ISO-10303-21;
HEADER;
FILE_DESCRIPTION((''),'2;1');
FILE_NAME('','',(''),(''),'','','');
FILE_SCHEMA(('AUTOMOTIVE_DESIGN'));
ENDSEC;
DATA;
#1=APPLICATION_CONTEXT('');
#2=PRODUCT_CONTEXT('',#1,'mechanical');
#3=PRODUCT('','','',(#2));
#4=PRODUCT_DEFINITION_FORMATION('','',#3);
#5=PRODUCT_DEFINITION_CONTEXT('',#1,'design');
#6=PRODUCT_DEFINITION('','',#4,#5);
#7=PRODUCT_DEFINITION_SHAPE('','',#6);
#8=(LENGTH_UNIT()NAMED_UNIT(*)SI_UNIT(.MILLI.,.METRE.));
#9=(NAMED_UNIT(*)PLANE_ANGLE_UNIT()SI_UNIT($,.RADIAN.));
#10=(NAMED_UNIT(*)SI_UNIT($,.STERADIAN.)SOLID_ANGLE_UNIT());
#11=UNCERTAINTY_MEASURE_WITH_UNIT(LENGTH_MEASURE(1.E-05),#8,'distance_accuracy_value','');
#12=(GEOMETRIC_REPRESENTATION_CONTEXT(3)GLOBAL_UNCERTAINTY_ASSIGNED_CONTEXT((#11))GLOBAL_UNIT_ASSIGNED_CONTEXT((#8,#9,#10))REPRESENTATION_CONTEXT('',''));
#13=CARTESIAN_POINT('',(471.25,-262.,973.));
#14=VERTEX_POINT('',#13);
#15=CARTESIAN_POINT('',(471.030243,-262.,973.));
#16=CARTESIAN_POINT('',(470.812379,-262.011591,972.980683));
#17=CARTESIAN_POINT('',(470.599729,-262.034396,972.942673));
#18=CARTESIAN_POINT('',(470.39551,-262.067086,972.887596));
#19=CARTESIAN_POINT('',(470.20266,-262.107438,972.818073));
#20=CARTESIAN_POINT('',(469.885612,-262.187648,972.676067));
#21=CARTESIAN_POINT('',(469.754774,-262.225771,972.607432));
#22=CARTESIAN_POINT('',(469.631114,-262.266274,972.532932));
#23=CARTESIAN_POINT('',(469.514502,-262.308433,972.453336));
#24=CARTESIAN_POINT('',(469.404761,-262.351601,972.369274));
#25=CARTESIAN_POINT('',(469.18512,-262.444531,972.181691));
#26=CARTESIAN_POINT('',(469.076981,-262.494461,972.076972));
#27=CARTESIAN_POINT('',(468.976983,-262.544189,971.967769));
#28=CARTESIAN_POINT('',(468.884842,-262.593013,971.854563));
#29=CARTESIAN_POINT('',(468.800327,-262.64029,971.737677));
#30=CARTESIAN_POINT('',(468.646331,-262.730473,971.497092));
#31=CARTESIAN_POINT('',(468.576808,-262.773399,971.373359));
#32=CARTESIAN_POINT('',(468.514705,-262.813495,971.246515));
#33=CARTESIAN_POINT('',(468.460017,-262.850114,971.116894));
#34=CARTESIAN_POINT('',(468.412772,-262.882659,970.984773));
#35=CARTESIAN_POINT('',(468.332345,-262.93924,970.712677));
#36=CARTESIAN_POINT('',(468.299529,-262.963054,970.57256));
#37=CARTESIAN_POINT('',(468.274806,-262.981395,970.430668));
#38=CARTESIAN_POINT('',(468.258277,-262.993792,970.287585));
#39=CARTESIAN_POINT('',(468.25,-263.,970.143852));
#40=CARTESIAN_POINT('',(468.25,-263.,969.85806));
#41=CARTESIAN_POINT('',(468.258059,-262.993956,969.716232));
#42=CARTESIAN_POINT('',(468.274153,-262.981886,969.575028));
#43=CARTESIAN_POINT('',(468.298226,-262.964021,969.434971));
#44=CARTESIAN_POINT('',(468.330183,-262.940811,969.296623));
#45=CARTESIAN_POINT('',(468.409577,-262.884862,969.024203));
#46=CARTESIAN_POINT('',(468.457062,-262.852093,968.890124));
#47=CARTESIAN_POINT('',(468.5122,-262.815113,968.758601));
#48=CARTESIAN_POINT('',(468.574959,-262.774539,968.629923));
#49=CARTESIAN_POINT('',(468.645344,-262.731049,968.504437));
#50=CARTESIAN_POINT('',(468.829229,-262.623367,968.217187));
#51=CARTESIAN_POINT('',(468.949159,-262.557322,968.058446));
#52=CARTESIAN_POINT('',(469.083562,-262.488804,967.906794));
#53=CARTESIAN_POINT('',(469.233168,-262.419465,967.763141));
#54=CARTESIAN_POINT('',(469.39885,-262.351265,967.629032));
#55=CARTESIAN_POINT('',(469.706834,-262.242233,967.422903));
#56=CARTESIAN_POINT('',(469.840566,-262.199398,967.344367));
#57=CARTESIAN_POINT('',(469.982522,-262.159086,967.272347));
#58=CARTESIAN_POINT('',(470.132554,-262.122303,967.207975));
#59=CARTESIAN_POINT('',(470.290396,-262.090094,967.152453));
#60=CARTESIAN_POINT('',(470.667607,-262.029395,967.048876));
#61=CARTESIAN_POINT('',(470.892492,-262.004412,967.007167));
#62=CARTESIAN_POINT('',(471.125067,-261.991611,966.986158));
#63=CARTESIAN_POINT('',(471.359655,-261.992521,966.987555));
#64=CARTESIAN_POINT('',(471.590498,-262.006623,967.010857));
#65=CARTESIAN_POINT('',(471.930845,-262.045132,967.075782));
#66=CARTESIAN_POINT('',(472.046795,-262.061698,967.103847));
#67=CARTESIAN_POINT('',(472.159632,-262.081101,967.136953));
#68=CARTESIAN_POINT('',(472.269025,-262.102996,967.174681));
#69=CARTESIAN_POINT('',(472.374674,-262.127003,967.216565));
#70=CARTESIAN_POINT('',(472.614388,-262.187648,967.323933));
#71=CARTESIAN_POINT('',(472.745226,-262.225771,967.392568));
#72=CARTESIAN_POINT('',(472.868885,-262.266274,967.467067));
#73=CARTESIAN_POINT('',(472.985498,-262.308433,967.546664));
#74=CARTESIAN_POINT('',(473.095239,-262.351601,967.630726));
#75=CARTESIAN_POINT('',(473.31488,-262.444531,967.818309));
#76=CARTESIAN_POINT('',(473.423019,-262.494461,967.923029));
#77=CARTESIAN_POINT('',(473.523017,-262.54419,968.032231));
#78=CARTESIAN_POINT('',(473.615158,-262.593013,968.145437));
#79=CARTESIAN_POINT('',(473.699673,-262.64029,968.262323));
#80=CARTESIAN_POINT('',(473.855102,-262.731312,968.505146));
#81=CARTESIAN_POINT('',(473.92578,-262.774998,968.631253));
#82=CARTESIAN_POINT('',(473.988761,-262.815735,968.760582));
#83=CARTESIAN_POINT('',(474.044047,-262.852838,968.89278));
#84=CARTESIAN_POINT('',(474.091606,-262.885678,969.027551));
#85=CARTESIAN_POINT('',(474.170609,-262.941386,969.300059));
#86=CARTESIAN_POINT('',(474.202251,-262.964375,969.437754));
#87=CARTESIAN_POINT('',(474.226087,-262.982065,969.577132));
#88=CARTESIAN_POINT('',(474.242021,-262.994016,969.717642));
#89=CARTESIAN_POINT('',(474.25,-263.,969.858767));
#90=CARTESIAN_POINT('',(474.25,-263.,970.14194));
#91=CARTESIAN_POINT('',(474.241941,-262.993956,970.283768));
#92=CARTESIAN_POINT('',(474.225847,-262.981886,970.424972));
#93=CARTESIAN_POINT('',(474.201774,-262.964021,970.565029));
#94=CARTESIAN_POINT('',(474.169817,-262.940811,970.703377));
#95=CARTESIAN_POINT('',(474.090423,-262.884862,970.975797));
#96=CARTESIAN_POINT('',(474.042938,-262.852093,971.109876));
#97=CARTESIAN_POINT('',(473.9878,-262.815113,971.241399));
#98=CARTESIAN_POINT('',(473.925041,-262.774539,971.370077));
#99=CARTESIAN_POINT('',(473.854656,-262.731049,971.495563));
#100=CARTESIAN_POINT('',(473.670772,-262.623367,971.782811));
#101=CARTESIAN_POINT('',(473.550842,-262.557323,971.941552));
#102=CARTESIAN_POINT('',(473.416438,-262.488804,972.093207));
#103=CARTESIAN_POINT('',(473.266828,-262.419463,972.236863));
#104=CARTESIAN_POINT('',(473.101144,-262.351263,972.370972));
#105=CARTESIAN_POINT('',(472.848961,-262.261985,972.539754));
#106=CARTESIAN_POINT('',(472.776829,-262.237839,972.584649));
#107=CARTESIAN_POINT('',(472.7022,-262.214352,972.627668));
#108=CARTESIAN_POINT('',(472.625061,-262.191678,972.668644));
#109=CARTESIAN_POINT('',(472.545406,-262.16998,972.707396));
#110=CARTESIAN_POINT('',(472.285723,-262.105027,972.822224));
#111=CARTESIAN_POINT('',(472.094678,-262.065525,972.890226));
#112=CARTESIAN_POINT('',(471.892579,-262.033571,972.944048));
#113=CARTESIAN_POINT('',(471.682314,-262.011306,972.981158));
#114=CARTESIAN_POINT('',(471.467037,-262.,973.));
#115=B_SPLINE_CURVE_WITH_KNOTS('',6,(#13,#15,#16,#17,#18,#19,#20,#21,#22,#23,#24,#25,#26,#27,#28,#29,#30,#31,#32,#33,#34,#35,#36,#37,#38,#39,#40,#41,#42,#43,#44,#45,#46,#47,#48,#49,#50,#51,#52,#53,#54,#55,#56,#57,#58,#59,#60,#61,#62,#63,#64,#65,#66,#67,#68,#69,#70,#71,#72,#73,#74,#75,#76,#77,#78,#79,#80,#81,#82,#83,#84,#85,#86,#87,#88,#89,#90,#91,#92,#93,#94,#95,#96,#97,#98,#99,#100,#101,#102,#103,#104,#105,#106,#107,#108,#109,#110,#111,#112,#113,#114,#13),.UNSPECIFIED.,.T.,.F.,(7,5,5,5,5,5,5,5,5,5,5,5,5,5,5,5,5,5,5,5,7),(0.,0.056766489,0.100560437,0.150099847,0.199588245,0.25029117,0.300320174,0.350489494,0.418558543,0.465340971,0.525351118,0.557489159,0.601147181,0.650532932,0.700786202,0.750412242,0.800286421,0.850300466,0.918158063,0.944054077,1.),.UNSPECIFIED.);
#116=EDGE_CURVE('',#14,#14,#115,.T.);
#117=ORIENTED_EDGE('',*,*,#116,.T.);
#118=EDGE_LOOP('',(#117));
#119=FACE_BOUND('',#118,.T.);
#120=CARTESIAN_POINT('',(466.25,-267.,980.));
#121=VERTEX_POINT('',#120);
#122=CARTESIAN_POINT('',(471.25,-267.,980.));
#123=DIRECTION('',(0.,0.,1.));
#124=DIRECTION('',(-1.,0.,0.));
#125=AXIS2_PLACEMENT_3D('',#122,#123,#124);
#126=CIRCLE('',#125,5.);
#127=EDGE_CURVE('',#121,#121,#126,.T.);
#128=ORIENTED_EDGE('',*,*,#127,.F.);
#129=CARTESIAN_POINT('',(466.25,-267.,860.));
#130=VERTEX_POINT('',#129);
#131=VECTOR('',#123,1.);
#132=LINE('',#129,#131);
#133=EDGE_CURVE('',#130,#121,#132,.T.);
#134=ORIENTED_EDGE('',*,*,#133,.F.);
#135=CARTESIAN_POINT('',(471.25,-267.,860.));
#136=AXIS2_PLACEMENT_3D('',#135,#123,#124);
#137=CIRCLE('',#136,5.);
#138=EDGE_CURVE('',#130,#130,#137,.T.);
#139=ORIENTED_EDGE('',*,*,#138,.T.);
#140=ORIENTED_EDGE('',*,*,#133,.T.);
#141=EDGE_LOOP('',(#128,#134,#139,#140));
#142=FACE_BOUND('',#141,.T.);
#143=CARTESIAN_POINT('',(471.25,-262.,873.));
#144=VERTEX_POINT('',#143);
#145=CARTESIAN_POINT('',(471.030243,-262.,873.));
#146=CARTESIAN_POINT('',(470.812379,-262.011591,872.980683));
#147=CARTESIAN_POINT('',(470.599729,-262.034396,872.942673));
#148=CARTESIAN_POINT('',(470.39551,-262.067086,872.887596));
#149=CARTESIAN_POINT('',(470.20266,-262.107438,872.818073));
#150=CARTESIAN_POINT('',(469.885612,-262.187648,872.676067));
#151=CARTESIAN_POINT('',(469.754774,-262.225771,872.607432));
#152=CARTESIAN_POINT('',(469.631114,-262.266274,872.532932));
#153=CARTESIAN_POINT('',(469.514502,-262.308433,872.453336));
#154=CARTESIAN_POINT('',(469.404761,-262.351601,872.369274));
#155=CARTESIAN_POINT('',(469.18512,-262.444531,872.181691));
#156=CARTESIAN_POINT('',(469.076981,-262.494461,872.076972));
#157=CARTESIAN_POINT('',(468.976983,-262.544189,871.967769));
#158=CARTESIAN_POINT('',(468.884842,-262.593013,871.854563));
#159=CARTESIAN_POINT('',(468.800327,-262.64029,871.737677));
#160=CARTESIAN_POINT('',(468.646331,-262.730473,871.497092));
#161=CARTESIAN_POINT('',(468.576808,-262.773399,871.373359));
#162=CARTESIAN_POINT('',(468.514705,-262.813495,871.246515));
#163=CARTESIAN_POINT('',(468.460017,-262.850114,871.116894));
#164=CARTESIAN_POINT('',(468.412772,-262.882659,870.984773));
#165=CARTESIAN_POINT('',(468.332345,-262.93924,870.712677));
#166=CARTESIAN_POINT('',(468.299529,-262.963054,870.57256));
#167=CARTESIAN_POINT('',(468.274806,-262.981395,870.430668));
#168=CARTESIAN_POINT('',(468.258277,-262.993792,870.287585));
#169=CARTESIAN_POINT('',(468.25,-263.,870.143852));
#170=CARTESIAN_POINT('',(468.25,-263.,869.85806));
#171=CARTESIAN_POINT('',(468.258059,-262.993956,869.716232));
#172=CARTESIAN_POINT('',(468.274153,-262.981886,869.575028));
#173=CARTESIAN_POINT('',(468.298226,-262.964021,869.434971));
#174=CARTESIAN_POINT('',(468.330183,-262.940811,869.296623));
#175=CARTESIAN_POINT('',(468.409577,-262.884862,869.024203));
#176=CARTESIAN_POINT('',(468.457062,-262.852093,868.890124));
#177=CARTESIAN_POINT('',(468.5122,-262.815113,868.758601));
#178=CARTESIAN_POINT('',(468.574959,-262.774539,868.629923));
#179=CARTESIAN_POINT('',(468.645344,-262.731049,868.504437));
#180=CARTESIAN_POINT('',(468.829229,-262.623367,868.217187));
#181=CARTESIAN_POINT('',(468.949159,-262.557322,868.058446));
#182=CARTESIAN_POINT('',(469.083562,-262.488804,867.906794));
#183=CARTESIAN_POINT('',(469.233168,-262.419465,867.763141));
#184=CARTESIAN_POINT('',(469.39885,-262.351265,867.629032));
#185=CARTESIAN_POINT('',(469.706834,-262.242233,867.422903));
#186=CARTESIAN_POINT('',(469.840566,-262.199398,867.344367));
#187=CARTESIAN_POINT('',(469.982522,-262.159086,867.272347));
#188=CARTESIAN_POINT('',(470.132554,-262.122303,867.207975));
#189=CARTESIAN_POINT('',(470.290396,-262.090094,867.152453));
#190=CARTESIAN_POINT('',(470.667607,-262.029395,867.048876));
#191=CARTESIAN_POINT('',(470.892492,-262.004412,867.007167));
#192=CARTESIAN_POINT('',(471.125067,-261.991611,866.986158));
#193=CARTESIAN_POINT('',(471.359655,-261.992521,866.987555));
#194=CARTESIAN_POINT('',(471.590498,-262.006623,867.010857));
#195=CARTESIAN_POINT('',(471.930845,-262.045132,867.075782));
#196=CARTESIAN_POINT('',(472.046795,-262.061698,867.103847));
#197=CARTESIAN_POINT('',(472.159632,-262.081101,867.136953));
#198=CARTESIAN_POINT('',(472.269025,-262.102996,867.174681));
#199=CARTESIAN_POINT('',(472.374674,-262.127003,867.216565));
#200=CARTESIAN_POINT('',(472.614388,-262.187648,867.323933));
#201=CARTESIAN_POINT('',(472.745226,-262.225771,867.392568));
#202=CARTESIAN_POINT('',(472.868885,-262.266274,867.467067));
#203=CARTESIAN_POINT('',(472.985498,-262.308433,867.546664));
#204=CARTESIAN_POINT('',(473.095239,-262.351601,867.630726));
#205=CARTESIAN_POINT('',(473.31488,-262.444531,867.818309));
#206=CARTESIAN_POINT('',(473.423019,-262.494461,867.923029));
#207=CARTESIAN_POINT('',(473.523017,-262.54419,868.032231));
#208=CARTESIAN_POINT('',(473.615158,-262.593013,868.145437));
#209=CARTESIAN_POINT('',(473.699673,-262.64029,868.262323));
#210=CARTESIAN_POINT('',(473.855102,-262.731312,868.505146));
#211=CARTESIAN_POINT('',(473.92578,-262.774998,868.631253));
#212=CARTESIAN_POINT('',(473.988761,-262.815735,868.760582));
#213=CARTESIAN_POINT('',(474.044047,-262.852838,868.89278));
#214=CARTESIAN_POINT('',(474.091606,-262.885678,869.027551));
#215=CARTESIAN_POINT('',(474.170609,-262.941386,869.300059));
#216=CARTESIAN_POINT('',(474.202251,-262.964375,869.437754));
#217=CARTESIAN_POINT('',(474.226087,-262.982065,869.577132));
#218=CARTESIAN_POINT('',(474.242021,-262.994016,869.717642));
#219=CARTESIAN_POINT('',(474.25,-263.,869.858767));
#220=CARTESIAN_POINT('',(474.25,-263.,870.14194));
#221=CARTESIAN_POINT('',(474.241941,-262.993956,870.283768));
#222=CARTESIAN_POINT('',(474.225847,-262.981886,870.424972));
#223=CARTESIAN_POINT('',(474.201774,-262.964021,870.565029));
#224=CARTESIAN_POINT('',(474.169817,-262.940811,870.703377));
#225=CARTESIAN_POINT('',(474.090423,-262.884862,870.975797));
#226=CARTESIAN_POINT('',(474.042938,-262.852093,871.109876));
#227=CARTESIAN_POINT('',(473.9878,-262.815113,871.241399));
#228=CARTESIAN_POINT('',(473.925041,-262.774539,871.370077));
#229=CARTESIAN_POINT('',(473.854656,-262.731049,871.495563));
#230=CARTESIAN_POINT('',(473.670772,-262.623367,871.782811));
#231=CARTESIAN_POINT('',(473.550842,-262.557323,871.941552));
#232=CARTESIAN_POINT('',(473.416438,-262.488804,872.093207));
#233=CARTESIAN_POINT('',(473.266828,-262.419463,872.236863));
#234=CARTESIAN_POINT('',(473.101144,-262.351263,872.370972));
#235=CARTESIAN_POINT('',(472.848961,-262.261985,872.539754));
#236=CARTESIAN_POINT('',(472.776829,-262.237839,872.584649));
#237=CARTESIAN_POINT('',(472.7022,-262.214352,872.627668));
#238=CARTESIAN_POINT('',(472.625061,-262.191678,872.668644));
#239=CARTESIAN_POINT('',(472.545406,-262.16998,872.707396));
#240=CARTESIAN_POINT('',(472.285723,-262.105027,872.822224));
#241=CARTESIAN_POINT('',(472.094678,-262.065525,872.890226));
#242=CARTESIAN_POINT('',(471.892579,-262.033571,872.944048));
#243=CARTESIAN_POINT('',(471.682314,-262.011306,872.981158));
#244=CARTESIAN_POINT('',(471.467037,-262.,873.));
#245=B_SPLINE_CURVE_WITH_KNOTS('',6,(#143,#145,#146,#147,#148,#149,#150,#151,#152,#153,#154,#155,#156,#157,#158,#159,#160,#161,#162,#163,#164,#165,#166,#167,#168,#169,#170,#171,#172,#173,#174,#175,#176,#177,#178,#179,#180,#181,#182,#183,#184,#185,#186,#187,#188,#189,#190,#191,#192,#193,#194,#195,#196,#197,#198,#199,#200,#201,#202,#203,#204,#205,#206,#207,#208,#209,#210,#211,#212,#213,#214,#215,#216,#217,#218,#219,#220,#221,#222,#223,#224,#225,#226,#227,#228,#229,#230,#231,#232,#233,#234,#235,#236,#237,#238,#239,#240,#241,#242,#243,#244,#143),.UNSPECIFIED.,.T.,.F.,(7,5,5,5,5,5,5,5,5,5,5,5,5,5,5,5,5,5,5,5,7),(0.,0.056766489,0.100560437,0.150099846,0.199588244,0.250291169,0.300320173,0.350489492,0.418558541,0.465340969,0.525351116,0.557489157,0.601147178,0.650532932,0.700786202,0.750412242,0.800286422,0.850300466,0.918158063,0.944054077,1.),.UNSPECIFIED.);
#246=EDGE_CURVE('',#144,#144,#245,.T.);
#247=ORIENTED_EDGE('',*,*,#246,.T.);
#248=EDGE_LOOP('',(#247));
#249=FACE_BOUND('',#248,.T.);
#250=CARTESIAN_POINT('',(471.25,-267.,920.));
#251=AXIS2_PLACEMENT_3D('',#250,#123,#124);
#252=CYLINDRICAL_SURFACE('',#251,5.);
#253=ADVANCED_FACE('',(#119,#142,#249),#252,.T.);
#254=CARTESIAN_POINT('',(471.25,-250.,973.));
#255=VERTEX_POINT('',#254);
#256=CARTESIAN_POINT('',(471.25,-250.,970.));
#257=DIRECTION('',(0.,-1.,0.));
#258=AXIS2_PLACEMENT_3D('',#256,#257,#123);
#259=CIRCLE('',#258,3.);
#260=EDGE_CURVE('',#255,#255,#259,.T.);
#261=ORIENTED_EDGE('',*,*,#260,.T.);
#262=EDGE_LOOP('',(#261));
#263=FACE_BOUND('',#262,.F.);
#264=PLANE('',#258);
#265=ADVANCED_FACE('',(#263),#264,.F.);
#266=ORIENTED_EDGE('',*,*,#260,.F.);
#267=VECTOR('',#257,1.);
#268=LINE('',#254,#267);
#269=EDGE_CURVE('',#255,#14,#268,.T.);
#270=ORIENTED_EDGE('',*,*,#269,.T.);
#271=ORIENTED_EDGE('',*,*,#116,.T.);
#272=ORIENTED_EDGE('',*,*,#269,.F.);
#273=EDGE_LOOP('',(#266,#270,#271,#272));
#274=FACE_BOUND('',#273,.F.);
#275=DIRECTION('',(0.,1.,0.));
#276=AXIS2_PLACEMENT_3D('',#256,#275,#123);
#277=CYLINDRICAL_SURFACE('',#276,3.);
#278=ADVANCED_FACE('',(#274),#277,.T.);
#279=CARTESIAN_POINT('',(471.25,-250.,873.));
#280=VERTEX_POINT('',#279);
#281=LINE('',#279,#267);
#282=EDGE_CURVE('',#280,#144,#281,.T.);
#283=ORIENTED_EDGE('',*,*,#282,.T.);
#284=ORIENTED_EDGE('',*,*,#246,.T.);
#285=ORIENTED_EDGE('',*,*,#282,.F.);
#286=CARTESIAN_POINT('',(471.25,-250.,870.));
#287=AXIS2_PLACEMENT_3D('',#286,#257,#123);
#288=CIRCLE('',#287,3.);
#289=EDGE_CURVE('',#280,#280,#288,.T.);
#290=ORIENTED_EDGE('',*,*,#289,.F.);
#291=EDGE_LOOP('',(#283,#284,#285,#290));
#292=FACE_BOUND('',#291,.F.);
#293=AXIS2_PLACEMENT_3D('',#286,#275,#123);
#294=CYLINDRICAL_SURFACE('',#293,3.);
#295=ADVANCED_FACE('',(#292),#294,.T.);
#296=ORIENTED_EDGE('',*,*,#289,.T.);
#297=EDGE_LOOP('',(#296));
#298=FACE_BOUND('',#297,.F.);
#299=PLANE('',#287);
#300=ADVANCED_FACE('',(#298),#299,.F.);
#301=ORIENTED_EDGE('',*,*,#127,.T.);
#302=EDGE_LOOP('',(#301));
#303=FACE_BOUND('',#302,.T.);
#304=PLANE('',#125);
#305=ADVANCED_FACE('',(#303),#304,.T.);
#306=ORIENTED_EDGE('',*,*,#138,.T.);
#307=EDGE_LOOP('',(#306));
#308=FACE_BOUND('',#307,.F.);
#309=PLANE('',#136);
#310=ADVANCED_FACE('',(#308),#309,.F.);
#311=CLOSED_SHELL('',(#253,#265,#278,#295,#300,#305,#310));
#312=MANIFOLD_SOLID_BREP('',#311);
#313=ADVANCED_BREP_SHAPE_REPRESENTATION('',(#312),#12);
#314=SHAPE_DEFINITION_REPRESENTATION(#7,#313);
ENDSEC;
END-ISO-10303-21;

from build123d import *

# Parameters (mm, degrees)
SKETCH1248_R           = 5
EXTRUDE084143362_DEPTH = 60
CLONE2D015_R           = 3
EXTRUDE084143363_DEPTH = 17
SKETCH1249_R           = 3
EXTRUDE084143361_DEPTH = 17


with BuildPart() as extrude084143362:
    # Sketch1248 (on Sketch) → Extrude084143362 (new body, symmetric)
    with BuildSketch(Plane(origin=(471.25, -267, 0), x_dir=(-1, 0, 0), z_dir=(0, 0, 1))):
        Circle(SKETCH1248_R)
    extrude(amount=EXTRUDE084143362_DEPTH, both=True)


with BuildPart() as extrude084143363:
    # Clone2D015 (on Sketch) → Extrude084143363 (new body)
    with BuildSketch(Plane(origin=(471.25, -250, 50), x_dir=(0, 0, 1), z_dir=(0, -1, 0))):
        Circle(CLONE2D015_R)
    extrude(amount=EXTRUDE084143363_DEPTH)


with BuildPart() as clone002:
    # Sketch1249 (on Sketch) → Extrude084143361 (new body)
    with BuildSketch(Plane(origin=(471.25, -250, -50), x_dir=(0, 0, 1), z_dir=(0, -1, 0))):
        Circle(SKETCH1249_R)
    extrude(amount=EXTRUDE084143361_DEPTH)

    # Fusion008: union Extrude084143362, Extrude084143363
    add(extrude084143362.part)
    add(extrude084143363.part)


with BuildPart() as clone002_1:
    # Clone002 placement: moved
    add(clone002.part.moved(Location((0, 0, 920))))


solid = clone002_1.part
